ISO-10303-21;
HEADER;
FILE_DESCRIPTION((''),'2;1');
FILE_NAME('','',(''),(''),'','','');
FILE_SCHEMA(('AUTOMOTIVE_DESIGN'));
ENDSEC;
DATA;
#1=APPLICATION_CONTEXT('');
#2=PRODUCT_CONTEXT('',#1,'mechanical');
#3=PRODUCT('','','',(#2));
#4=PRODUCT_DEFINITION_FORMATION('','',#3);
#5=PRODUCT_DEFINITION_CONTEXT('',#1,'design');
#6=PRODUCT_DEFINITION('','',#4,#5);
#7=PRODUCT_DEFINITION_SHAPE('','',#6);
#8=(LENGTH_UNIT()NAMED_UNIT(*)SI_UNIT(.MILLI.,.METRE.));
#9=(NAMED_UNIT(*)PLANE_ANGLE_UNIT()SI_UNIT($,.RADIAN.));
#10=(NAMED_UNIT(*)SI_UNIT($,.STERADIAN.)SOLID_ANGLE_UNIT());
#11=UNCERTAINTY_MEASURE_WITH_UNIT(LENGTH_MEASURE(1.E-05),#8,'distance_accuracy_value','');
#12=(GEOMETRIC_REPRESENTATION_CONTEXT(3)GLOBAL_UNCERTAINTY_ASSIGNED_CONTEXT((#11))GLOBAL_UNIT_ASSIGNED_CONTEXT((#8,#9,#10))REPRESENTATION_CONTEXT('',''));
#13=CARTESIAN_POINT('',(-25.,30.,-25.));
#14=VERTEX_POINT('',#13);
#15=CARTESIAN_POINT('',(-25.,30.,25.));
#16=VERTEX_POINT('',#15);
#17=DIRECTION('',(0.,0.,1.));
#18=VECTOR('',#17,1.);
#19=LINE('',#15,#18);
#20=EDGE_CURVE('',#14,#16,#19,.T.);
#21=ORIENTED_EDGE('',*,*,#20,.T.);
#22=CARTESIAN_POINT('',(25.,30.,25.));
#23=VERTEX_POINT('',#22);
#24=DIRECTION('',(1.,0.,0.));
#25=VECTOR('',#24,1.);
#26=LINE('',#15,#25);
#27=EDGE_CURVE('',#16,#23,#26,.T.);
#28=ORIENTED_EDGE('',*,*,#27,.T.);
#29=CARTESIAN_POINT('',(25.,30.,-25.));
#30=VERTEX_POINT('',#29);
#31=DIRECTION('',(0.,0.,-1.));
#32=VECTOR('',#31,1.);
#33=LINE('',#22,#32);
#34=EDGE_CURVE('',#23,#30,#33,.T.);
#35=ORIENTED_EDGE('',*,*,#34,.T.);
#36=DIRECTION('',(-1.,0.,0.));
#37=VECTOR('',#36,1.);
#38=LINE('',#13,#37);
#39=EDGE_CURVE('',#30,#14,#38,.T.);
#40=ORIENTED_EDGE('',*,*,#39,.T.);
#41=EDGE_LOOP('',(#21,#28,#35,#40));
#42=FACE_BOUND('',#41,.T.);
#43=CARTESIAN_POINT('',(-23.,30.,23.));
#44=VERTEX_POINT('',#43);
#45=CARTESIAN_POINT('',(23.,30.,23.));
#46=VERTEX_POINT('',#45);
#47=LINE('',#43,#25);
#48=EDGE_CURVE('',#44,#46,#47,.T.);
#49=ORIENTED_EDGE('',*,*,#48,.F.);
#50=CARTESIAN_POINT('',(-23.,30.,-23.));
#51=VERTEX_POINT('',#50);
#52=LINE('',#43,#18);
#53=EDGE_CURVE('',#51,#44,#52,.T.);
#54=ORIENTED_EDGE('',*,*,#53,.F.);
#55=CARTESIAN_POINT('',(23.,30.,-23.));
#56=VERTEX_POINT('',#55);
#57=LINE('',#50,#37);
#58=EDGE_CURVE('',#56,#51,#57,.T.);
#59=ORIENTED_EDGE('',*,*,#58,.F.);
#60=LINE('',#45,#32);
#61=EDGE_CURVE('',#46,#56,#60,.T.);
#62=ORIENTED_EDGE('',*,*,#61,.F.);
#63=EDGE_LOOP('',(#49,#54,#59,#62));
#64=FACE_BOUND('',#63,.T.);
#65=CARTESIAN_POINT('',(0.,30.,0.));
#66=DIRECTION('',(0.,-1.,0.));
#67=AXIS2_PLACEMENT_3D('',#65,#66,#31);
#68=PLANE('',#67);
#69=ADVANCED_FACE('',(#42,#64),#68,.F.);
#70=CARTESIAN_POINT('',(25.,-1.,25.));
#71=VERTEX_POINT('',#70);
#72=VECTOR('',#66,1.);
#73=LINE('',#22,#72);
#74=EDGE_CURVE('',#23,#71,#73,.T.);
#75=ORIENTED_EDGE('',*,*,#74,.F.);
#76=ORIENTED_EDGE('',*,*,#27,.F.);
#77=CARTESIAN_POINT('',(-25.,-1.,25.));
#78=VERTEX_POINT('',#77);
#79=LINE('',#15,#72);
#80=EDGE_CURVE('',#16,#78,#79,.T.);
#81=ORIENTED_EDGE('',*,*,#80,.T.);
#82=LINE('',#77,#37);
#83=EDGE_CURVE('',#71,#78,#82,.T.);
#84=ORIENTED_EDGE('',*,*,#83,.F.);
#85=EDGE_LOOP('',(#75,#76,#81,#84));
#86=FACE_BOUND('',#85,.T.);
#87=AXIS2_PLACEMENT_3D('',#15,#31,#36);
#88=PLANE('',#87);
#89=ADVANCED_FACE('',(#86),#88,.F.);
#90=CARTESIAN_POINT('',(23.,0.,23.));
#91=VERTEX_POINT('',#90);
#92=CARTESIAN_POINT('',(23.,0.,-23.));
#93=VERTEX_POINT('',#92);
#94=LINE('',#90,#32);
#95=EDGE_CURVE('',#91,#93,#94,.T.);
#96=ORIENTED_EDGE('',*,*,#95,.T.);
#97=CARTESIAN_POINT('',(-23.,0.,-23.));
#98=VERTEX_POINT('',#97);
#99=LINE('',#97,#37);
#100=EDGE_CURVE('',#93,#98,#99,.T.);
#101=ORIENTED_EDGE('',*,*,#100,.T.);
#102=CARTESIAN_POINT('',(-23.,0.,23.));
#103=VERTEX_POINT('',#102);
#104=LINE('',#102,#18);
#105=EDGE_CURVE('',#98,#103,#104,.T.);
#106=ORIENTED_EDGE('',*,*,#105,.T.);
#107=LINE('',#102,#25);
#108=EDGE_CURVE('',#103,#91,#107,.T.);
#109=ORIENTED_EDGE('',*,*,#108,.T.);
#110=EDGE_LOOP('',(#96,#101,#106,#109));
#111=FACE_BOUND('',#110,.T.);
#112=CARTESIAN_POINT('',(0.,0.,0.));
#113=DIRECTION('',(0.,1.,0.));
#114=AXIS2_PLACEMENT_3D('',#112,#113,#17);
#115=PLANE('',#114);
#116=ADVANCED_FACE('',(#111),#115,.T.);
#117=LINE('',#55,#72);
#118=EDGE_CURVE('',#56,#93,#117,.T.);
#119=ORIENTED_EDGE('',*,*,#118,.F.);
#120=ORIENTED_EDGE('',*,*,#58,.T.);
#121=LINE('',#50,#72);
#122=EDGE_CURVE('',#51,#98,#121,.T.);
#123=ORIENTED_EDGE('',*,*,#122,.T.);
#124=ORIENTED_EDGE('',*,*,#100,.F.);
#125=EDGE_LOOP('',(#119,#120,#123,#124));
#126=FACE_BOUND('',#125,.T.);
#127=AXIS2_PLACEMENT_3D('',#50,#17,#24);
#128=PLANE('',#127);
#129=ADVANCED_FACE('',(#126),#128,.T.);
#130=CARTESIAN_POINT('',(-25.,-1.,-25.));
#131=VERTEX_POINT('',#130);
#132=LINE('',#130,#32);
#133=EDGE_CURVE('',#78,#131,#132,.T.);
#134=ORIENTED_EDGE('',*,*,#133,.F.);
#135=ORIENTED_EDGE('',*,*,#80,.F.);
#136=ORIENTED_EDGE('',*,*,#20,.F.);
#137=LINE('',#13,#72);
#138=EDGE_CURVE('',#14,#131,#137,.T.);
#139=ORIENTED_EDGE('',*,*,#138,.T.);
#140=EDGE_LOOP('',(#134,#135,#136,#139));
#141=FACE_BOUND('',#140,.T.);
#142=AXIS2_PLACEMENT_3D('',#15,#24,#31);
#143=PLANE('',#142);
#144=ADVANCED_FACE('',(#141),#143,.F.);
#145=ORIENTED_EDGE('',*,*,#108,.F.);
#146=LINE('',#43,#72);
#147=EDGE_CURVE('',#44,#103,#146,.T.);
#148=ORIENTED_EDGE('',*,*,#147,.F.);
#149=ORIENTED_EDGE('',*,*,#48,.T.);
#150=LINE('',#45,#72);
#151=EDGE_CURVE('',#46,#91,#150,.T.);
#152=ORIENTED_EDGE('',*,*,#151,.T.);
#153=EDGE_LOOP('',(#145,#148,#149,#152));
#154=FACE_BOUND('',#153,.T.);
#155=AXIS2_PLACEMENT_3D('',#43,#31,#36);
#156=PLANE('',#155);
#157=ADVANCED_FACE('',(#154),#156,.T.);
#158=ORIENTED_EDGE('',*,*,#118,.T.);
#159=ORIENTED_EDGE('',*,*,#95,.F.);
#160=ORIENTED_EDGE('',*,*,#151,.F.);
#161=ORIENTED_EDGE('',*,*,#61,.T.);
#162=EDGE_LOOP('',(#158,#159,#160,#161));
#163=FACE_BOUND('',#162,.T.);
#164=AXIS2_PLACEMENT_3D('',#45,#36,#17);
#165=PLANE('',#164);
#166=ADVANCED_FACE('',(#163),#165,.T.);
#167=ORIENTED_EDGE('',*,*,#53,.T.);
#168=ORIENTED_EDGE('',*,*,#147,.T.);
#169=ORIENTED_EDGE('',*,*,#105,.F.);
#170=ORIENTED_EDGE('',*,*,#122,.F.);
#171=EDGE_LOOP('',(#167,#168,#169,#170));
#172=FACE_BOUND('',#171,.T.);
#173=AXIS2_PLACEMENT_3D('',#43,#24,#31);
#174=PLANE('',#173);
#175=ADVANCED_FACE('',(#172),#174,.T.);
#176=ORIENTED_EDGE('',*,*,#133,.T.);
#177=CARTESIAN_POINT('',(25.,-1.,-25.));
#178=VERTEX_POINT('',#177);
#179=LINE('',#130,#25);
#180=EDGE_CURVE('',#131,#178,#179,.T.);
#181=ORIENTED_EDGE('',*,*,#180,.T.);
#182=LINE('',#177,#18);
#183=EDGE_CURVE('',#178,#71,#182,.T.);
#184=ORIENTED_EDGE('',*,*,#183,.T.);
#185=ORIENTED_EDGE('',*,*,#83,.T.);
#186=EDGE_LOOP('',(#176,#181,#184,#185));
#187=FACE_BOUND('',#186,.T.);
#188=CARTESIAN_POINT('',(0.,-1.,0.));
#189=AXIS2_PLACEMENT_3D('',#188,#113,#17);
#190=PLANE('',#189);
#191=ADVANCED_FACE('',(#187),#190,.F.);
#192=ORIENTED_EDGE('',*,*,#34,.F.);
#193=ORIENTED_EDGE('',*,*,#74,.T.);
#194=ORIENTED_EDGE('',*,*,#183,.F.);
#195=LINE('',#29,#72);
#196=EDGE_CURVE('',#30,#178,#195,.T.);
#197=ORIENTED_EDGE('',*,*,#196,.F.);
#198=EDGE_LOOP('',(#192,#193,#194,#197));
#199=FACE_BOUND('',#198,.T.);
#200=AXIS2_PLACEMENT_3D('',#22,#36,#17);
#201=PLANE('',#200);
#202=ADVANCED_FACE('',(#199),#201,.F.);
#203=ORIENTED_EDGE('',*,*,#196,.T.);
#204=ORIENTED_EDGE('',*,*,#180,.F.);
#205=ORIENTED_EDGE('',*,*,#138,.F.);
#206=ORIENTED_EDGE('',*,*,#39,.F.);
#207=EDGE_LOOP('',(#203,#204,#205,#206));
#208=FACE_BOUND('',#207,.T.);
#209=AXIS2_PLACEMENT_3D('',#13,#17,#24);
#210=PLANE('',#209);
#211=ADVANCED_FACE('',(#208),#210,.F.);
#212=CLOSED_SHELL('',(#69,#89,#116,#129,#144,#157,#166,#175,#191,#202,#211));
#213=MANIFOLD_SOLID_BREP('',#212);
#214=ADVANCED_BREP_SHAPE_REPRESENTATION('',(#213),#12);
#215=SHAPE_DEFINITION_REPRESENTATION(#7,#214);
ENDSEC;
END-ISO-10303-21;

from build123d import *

# Parameters (mm, degrees)
IZIM1_W                     = 50
IZIM1_H                     = 50
IZIM1_W_2                   = 46
IZIM1_H_2                   = 46
Y_KSEKLIK_EKSTR_ZYON1_DEPTH = 30
IZIM2_W                     = 50
IZIM2_H                     = 50
Y_KSEKLIK_EKSTR_ZYON2_DEPTH = 1


with BuildPart() as part:
    # Çizim1 → Yükseklik-Ekstrüzyon1 (new body)
    with BuildSketch(Plane(origin=(0, 0, 0), x_dir=(1, 0, 0), z_dir=(0, 1, 0))):
        Rectangle(IZIM1_W, IZIM1_H)
        Rectangle(IZIM1_W_2, IZIM1_H_2, mode=Mode.SUBTRACT)
    extrude(amount=Y_KSEKLIK_EKSTR_ZYON1_DEPTH)

    # Çizim2 → Yükseklik-Ekstrüzyon2 (add)
    with BuildSketch(Plane.XZ):
        Rectangle(IZIM2_W, IZIM2_H)
    extrude(amount=Y_KSEKLIK_EKSTR_ZYON2_DEPTH)


solid = part.part
